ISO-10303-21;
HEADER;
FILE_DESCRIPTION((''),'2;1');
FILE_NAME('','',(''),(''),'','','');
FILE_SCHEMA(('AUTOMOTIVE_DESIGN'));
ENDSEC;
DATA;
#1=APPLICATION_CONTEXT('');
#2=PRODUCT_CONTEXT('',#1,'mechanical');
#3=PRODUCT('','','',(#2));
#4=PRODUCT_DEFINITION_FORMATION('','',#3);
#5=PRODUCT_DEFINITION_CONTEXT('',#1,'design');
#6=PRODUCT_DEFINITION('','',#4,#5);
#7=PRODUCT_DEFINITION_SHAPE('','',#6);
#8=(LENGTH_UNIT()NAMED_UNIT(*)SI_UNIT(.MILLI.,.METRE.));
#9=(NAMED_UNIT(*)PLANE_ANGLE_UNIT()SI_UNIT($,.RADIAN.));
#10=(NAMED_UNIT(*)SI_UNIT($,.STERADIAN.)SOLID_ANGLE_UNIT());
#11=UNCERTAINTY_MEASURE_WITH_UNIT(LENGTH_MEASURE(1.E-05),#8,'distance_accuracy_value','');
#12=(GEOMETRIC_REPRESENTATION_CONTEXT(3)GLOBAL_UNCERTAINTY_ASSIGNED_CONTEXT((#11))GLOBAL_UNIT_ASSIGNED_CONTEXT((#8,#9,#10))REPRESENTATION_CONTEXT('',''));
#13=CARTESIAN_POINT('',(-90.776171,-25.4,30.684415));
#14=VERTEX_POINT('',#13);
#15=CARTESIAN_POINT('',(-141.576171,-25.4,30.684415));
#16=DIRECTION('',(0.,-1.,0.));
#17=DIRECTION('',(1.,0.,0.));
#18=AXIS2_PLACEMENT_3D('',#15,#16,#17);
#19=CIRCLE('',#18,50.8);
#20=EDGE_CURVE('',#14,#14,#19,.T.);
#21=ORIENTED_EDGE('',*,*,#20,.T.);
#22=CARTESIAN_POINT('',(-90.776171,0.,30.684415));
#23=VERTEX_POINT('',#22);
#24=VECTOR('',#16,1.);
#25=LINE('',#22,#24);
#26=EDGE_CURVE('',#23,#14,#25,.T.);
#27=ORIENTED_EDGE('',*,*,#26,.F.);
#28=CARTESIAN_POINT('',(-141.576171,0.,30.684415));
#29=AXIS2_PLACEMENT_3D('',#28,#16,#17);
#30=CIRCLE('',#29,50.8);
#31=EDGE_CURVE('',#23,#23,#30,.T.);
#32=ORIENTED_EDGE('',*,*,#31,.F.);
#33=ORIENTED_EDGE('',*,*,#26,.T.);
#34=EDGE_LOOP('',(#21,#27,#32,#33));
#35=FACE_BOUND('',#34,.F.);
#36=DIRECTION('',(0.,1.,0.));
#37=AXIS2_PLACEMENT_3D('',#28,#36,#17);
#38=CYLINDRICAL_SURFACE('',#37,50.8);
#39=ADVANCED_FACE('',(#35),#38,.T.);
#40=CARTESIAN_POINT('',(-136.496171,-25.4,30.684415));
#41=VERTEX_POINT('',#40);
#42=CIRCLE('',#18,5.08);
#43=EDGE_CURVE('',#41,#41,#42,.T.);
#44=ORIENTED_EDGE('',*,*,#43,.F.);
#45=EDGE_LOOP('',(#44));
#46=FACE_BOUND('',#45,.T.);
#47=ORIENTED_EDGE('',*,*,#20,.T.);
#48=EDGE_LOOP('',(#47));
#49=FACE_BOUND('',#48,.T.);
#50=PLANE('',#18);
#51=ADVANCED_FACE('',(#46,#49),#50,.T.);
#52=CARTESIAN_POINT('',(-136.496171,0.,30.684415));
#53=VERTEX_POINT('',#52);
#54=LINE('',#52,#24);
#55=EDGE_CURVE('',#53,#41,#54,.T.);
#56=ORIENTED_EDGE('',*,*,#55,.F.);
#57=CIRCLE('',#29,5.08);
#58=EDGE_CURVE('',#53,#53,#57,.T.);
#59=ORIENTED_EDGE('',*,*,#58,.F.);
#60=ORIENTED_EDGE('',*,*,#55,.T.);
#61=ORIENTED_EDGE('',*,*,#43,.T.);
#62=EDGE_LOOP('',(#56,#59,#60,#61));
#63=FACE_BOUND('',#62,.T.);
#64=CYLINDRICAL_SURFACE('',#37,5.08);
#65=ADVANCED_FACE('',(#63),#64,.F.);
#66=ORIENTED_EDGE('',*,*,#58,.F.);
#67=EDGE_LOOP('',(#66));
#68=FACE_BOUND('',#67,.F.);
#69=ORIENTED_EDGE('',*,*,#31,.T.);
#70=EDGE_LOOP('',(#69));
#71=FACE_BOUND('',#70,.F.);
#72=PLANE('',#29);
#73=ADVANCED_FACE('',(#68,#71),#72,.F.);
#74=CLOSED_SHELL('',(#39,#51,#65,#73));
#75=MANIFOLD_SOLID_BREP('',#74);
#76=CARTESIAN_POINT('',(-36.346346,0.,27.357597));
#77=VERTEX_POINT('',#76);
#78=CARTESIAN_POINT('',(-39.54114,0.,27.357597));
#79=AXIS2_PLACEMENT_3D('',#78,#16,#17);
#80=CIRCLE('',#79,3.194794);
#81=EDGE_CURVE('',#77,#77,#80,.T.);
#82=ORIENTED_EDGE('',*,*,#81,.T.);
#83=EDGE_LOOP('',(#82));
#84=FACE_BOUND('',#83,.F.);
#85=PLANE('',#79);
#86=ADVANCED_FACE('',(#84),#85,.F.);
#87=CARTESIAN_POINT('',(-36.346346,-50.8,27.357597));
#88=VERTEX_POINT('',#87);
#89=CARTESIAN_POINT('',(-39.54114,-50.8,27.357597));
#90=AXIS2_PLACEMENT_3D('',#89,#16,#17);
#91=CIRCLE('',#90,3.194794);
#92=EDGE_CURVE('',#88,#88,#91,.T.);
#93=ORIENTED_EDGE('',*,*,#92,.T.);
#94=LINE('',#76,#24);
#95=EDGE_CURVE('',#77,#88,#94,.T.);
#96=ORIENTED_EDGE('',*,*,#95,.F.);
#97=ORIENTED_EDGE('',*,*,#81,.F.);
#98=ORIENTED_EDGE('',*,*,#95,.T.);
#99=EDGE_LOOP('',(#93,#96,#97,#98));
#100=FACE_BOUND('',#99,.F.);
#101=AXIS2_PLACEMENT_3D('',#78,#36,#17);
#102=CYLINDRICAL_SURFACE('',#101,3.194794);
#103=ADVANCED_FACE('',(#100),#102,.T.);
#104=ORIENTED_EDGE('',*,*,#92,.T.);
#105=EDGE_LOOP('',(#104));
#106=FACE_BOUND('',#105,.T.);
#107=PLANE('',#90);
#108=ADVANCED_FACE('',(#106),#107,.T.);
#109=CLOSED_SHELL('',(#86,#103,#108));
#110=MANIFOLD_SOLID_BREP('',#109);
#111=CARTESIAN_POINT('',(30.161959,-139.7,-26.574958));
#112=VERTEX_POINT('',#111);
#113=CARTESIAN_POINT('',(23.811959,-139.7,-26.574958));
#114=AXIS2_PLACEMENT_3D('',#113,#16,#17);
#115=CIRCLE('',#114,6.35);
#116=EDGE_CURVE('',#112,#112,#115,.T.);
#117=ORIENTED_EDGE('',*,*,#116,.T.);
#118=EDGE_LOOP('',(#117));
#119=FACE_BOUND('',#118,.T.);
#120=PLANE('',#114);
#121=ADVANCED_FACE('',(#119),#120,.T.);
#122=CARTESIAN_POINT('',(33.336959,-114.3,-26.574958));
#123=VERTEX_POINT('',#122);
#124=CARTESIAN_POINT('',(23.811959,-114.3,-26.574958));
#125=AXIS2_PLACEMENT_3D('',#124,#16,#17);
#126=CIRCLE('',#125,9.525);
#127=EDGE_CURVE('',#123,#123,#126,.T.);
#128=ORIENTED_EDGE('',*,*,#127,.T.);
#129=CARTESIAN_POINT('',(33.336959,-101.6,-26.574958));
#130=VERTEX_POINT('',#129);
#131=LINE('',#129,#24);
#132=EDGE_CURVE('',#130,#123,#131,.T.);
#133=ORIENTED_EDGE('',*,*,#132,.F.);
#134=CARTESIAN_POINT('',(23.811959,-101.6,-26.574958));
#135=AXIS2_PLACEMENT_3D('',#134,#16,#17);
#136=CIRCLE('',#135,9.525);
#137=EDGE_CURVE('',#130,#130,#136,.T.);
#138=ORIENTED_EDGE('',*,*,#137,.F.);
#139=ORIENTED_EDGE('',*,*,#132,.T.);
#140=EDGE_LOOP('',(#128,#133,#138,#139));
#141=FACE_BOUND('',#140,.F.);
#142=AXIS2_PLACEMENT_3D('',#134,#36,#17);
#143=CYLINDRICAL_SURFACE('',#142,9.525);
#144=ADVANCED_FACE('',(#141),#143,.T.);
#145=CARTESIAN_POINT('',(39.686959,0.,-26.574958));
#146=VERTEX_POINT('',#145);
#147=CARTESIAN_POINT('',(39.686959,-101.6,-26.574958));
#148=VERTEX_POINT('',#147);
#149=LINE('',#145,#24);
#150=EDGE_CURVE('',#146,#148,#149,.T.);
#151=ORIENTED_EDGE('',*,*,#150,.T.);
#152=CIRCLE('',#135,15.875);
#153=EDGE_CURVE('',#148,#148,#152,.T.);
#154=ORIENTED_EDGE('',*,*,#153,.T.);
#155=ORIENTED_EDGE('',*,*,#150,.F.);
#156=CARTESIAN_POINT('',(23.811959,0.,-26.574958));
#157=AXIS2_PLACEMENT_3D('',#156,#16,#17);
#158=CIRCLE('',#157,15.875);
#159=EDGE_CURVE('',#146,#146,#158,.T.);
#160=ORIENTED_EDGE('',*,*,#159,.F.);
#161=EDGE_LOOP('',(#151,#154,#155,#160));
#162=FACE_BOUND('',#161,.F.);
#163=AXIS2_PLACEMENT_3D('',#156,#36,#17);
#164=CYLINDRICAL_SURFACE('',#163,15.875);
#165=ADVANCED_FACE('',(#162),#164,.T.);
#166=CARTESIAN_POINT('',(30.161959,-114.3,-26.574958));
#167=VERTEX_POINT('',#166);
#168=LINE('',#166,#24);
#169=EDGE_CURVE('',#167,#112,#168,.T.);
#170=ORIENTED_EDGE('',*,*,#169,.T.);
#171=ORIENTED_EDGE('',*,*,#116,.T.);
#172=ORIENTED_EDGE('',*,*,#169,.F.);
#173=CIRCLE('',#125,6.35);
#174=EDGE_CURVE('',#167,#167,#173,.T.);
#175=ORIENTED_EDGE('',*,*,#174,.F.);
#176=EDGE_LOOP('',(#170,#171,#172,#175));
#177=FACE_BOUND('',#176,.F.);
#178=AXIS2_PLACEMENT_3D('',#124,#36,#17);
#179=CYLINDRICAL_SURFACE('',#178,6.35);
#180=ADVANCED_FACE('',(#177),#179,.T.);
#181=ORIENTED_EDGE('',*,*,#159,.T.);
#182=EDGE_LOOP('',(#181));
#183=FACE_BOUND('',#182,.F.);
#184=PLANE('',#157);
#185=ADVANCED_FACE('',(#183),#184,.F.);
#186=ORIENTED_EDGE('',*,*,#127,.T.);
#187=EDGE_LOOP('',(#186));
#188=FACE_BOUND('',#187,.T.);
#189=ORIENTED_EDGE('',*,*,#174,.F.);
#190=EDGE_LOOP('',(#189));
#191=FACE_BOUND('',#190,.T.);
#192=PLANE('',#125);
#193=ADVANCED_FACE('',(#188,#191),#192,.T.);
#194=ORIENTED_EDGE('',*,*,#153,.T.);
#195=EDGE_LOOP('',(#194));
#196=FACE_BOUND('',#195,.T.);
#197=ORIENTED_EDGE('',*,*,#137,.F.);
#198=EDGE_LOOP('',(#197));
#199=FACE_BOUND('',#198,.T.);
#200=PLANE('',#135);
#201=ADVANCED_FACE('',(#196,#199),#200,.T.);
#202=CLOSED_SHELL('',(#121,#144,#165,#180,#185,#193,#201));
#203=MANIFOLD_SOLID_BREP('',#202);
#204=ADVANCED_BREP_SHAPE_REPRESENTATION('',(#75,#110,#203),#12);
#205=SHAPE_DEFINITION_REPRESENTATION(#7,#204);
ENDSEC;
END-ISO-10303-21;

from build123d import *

# Parameters (mm, degrees)
F0_R     = 3.194794
F1_DEPTH = 50.8
F2_R     = 50.8
F2_R_2   = 5.08
F3_DEPTH = 25.4
F4_R     = 15.875
F5_DEPTH = 101.6
F6_R     = 9.525
F7_DEPTH = 12.7
F8_R     = 6.35
F9_DEPTH = 25.4


with BuildPart() as f1:
    # F0 (on Front) → F1 (new body)
    with BuildSketch(Plane.XZ):
        with Locations((-39.54114, 27.357597)):
            Circle(F0_R)
    extrude(amount=F1_DEPTH)


with BuildPart() as f3:
    # F2 (on Front) → F3 (new body)
    with BuildSketch(Plane.XZ):
        with Locations((-141.576171, 30.684415)):
            Circle(F2_R)
        with Locations((-141.576171, 30.684415)):
            Circle(F2_R_2, mode=Mode.SUBTRACT)
    extrude(amount=F3_DEPTH)


with BuildPart() as f5:
    # F4 (on Front) → F5 (new body)
    with BuildSketch(Plane.XZ):
        with Locations((23.811959, -26.574958)):
            Circle(F4_R)
    extrude(amount=F5_DEPTH)

    # F6 (on face) → F7 (join)
    with BuildSketch(Plane.XZ.offset(101.6)):
        with Locations((23.811959, -26.574958)):
            Circle(F6_R)
    extrude(amount=F7_DEPTH)

    # F8 (on face) → F9 (join)
    with BuildSketch(Plane.XZ.offset(114.3)):
        with Locations((23.811959, -26.574958)):
            Circle(F8_R)
    extrude(amount=F9_DEPTH)


solid = Compound([f1.part, f3.part, f5.part])
